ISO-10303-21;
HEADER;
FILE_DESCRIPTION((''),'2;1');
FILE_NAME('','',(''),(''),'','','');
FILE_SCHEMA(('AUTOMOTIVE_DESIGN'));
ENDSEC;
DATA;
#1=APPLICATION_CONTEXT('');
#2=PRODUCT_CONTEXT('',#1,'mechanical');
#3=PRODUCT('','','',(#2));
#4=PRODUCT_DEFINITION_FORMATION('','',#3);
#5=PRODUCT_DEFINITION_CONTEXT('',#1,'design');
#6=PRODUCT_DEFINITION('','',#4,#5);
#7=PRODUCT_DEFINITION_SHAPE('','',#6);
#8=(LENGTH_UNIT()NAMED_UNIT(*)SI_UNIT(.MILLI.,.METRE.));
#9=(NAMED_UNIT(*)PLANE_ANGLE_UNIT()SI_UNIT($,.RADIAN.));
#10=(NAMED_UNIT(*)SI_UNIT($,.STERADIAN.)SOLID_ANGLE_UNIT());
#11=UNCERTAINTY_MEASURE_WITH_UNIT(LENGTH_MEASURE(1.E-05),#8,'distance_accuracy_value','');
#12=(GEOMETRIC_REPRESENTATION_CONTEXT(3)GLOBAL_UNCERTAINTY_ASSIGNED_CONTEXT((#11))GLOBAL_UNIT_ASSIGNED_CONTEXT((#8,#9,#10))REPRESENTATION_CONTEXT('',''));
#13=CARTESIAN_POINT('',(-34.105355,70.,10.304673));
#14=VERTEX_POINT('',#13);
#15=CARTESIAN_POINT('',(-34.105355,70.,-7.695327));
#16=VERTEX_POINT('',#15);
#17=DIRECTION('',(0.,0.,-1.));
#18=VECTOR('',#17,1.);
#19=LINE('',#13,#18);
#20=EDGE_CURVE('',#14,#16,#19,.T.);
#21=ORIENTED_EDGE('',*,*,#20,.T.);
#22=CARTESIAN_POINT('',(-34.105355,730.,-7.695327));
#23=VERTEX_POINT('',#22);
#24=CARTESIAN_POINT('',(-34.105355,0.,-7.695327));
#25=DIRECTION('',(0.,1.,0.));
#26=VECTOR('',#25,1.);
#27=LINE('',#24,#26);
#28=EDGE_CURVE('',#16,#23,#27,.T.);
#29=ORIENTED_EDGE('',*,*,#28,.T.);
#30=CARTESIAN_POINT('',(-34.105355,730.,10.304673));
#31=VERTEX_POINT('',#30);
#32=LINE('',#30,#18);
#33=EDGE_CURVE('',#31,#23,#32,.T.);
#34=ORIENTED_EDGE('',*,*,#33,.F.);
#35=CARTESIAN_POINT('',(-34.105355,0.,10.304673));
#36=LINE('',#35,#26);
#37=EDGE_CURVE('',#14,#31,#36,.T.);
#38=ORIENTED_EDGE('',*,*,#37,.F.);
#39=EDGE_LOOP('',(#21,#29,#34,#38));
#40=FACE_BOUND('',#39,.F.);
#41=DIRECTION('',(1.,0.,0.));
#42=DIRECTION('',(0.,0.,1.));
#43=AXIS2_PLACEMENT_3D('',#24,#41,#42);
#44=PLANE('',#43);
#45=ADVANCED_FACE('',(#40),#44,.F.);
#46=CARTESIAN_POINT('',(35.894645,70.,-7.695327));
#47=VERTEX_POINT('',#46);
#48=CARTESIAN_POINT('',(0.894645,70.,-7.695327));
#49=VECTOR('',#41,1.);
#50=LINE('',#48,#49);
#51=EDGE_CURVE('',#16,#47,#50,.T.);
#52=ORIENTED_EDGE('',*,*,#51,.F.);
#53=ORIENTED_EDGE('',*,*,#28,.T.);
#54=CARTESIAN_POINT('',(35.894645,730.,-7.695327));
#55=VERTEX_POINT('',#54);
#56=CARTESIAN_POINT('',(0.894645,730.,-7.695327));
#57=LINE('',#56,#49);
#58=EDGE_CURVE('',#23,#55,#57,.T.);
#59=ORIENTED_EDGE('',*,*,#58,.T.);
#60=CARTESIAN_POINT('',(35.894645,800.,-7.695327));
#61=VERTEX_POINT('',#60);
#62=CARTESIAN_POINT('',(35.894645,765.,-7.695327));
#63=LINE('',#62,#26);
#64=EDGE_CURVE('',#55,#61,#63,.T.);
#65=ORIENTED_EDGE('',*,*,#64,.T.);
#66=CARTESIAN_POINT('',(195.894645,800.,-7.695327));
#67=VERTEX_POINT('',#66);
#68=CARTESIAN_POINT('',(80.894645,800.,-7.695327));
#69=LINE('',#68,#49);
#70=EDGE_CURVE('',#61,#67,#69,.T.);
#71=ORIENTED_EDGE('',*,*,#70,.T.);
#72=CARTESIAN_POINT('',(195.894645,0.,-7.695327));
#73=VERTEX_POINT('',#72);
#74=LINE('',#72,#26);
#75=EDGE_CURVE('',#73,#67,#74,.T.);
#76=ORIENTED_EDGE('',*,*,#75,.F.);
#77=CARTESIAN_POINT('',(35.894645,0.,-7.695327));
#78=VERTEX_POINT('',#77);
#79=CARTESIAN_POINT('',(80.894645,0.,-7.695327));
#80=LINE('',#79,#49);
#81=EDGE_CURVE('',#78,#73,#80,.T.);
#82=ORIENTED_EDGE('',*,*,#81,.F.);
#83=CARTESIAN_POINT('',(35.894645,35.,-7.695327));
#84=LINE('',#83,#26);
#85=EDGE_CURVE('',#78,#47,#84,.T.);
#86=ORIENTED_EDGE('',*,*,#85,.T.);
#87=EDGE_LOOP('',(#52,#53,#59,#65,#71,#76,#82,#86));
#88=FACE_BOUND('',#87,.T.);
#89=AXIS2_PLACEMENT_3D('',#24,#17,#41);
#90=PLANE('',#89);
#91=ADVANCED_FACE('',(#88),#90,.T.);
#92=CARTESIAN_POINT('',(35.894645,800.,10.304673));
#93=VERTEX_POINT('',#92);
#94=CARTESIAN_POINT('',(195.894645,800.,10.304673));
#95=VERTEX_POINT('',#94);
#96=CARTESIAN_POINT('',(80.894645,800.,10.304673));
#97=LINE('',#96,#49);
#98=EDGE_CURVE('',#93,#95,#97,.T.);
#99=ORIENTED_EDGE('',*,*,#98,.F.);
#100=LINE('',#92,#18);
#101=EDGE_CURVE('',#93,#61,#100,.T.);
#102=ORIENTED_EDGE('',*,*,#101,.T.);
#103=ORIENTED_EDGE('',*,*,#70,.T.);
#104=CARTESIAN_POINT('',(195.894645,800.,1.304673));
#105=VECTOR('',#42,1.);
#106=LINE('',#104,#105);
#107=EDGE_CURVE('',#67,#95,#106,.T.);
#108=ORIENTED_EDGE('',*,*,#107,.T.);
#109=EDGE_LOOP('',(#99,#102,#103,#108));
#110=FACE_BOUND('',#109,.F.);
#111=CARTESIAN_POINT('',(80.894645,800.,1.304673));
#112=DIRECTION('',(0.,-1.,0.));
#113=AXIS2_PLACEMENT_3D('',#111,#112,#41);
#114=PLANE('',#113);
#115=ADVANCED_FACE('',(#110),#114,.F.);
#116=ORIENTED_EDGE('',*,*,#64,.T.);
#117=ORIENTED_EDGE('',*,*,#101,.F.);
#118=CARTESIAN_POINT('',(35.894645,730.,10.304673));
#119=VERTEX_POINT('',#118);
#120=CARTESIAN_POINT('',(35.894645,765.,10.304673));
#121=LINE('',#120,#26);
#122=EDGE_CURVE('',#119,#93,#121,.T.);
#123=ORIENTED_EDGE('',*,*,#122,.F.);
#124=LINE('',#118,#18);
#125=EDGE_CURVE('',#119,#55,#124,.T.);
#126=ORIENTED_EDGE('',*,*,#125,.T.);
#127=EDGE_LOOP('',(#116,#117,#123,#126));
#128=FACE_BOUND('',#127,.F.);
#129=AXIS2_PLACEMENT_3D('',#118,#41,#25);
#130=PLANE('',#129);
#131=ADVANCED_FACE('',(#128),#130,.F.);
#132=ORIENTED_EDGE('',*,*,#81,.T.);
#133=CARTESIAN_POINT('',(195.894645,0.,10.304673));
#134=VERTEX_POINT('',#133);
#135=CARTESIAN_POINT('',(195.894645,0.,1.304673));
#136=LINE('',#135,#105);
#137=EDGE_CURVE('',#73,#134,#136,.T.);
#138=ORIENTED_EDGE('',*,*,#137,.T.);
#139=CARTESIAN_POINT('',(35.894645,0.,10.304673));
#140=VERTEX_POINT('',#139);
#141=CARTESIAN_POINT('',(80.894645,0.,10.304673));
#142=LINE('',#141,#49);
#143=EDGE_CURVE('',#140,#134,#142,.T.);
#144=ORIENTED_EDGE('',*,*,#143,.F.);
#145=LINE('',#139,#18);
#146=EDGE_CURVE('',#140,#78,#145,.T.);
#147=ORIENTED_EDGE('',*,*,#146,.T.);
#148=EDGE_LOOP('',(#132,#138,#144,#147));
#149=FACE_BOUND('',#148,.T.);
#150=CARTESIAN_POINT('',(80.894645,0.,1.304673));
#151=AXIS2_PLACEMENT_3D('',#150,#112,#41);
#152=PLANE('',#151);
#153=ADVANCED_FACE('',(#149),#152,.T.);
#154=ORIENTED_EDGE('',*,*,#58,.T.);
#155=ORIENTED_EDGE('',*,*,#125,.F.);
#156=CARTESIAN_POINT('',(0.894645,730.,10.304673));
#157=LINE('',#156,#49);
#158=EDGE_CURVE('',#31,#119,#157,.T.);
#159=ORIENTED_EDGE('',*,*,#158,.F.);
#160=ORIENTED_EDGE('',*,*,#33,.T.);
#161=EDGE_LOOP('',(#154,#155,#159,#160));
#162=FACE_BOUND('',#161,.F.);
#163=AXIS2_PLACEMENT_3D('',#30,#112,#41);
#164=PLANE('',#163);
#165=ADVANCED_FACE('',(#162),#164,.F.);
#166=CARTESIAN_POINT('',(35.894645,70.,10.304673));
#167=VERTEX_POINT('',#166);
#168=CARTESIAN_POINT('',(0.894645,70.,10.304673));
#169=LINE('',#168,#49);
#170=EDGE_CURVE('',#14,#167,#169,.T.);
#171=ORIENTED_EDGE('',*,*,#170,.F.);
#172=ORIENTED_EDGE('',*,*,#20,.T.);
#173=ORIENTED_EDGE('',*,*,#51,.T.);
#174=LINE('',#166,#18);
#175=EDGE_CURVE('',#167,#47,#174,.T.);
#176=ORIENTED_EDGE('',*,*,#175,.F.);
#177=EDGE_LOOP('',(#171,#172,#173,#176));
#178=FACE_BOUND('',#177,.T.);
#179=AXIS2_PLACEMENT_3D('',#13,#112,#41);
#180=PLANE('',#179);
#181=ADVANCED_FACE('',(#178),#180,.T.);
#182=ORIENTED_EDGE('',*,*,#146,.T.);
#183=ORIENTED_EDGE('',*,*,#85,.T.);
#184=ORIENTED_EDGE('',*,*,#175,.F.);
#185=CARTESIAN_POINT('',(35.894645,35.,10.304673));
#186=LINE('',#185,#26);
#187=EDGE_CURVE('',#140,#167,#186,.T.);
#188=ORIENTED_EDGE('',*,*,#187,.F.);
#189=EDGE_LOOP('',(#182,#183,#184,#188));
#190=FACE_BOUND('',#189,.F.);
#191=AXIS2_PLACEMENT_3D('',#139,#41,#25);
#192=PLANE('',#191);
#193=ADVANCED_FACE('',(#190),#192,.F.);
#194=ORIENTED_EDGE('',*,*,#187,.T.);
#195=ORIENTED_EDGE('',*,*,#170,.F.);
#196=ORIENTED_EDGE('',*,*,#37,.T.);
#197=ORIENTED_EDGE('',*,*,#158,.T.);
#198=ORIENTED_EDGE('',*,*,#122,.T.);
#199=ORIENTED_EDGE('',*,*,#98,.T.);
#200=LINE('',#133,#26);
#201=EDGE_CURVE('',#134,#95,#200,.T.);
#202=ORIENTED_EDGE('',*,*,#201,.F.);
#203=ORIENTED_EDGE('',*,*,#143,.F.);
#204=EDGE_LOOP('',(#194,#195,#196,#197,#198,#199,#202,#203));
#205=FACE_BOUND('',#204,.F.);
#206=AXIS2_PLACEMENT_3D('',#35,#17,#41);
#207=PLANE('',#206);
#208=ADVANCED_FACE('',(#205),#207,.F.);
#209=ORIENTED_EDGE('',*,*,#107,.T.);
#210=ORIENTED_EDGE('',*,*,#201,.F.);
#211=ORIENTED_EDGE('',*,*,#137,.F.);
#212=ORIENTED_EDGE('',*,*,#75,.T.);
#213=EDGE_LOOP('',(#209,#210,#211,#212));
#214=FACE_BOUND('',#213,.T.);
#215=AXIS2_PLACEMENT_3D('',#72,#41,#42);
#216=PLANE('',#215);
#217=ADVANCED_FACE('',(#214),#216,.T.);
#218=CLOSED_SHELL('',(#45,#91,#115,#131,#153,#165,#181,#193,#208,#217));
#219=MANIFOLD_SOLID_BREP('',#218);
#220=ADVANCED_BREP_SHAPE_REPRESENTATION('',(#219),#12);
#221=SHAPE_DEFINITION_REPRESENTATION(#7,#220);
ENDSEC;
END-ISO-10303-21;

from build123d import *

# Parameters (mm, degrees)
F0_W     = 230
F0_H     = 18
F1_DEPTH = 800
F2_W     = 70
F2_H     = 70
F3_DEPTH = 18
F4_W     = 70
F4_H     = 70
F5_DEPTH = 18


with BuildPart() as f1:
    # F0 (on Front) → F1 (new body)
    with BuildSketch(Plane.XZ):
        with Locations((80.894645, 1.304673)):
            Rectangle(F0_W, F0_H)
    extrude(amount=-F1_DEPTH)

    # F2 (on face) → F3 (cut)
    with BuildSketch(Plane.XY.offset(10.304673)):
        with Locations((0.894645, 765)):
            Rectangle(F2_W, F2_H)
    extrude(amount=-F3_DEPTH, mode=Mode.SUBTRACT)

    # F4 (on face) → F5 (cut)
    with BuildSketch(Plane.XY.offset(10.304673)):
        with Locations((0.894645, 35)):
            Rectangle(F4_W, F4_H)
    extrude(amount=-F5_DEPTH, mode=Mode.SUBTRACT)


solid = f1.part
